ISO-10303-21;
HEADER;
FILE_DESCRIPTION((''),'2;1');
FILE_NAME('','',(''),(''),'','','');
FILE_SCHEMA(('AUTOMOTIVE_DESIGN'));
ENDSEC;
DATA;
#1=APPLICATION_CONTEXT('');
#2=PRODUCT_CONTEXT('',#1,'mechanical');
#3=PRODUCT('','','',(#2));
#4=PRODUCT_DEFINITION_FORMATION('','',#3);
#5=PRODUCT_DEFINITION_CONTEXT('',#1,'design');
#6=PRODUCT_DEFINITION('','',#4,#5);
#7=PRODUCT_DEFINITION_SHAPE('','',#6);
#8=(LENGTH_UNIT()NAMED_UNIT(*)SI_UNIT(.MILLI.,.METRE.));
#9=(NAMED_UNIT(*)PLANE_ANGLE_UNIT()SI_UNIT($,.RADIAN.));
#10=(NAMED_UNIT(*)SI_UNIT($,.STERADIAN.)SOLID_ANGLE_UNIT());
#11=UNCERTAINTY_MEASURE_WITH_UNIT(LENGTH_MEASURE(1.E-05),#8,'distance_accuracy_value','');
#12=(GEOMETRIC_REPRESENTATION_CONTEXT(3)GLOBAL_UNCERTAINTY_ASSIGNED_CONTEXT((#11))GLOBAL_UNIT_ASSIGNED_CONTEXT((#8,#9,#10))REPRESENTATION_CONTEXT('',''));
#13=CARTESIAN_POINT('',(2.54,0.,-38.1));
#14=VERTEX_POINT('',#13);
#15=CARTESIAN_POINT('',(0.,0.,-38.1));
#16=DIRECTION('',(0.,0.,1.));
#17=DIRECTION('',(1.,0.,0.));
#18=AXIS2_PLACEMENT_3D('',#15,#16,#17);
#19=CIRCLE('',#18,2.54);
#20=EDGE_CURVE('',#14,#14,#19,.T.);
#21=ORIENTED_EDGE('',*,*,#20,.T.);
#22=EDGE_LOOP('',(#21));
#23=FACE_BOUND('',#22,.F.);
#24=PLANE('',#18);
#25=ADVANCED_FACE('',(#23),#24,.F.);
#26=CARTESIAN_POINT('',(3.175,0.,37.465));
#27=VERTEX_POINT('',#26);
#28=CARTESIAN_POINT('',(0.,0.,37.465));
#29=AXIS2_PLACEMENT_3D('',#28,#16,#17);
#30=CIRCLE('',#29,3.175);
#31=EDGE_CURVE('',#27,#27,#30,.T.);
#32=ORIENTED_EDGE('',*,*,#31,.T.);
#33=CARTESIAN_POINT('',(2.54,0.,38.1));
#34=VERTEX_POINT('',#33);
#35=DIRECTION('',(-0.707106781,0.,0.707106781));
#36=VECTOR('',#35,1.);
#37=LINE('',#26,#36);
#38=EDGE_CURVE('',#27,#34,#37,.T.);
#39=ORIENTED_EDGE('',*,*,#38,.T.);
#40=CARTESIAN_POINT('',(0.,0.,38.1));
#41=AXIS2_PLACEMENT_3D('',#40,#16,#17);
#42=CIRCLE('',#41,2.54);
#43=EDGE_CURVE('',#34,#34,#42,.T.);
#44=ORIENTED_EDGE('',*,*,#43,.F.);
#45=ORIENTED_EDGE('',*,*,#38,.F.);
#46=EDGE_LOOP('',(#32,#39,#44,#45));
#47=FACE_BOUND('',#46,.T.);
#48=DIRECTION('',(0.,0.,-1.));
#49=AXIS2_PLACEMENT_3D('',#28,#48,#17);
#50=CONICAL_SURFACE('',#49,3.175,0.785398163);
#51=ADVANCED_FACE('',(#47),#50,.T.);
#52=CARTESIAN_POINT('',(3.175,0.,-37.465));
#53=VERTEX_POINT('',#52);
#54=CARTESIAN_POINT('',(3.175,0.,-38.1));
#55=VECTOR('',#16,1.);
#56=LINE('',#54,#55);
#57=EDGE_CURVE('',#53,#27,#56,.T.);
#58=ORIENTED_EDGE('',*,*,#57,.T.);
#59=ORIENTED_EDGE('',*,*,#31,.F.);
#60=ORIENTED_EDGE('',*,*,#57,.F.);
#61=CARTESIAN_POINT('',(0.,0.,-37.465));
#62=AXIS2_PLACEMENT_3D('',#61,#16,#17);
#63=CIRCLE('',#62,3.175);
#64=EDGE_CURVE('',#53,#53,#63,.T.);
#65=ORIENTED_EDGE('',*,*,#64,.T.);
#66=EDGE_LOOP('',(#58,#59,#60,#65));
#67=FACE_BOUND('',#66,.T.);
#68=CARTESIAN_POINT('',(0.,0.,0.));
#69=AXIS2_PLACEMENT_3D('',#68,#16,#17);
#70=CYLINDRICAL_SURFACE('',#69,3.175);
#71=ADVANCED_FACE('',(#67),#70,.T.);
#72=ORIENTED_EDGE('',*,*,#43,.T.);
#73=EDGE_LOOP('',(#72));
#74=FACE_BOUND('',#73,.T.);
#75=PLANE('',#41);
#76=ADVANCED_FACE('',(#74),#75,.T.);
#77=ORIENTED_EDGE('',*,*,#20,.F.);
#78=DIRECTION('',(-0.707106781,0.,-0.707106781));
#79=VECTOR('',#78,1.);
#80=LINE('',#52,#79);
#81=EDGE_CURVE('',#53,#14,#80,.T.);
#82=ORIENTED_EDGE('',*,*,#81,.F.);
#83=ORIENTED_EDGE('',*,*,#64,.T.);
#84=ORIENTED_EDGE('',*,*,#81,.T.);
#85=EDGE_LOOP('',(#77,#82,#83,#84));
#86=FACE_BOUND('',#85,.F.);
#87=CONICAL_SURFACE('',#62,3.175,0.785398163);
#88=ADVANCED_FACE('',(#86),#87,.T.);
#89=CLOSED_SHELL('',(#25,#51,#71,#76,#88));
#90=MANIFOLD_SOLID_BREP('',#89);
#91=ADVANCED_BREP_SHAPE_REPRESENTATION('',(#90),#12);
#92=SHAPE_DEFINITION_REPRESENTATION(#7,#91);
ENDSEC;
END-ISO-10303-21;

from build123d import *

# Parameters (mm, degrees)
SKETCH3_R           = 3.175
BOSS_EXTRUDE1_DEPTH = 38.1
CHAMFER1_SIZE       = 0.635


with BuildPart() as part:
    # Sketch3 → Boss-Extrude1 (new body, symmetric)
    with BuildSketch(Plane.XY):
        Circle(SKETCH3_R)
    extrude(amount=BOSS_EXTRUDE1_DEPTH, both=True)

    # Chamfer1
    chamfer1_edges = [part.edges().sort_by_distance(p)[0] for p in [
        (-3.175, 0, -38.1),
        (-3.175, 0, 38.1),
    ]]
    chamfer(chamfer1_edges, length=CHAMFER1_SIZE)


solid = part.part
